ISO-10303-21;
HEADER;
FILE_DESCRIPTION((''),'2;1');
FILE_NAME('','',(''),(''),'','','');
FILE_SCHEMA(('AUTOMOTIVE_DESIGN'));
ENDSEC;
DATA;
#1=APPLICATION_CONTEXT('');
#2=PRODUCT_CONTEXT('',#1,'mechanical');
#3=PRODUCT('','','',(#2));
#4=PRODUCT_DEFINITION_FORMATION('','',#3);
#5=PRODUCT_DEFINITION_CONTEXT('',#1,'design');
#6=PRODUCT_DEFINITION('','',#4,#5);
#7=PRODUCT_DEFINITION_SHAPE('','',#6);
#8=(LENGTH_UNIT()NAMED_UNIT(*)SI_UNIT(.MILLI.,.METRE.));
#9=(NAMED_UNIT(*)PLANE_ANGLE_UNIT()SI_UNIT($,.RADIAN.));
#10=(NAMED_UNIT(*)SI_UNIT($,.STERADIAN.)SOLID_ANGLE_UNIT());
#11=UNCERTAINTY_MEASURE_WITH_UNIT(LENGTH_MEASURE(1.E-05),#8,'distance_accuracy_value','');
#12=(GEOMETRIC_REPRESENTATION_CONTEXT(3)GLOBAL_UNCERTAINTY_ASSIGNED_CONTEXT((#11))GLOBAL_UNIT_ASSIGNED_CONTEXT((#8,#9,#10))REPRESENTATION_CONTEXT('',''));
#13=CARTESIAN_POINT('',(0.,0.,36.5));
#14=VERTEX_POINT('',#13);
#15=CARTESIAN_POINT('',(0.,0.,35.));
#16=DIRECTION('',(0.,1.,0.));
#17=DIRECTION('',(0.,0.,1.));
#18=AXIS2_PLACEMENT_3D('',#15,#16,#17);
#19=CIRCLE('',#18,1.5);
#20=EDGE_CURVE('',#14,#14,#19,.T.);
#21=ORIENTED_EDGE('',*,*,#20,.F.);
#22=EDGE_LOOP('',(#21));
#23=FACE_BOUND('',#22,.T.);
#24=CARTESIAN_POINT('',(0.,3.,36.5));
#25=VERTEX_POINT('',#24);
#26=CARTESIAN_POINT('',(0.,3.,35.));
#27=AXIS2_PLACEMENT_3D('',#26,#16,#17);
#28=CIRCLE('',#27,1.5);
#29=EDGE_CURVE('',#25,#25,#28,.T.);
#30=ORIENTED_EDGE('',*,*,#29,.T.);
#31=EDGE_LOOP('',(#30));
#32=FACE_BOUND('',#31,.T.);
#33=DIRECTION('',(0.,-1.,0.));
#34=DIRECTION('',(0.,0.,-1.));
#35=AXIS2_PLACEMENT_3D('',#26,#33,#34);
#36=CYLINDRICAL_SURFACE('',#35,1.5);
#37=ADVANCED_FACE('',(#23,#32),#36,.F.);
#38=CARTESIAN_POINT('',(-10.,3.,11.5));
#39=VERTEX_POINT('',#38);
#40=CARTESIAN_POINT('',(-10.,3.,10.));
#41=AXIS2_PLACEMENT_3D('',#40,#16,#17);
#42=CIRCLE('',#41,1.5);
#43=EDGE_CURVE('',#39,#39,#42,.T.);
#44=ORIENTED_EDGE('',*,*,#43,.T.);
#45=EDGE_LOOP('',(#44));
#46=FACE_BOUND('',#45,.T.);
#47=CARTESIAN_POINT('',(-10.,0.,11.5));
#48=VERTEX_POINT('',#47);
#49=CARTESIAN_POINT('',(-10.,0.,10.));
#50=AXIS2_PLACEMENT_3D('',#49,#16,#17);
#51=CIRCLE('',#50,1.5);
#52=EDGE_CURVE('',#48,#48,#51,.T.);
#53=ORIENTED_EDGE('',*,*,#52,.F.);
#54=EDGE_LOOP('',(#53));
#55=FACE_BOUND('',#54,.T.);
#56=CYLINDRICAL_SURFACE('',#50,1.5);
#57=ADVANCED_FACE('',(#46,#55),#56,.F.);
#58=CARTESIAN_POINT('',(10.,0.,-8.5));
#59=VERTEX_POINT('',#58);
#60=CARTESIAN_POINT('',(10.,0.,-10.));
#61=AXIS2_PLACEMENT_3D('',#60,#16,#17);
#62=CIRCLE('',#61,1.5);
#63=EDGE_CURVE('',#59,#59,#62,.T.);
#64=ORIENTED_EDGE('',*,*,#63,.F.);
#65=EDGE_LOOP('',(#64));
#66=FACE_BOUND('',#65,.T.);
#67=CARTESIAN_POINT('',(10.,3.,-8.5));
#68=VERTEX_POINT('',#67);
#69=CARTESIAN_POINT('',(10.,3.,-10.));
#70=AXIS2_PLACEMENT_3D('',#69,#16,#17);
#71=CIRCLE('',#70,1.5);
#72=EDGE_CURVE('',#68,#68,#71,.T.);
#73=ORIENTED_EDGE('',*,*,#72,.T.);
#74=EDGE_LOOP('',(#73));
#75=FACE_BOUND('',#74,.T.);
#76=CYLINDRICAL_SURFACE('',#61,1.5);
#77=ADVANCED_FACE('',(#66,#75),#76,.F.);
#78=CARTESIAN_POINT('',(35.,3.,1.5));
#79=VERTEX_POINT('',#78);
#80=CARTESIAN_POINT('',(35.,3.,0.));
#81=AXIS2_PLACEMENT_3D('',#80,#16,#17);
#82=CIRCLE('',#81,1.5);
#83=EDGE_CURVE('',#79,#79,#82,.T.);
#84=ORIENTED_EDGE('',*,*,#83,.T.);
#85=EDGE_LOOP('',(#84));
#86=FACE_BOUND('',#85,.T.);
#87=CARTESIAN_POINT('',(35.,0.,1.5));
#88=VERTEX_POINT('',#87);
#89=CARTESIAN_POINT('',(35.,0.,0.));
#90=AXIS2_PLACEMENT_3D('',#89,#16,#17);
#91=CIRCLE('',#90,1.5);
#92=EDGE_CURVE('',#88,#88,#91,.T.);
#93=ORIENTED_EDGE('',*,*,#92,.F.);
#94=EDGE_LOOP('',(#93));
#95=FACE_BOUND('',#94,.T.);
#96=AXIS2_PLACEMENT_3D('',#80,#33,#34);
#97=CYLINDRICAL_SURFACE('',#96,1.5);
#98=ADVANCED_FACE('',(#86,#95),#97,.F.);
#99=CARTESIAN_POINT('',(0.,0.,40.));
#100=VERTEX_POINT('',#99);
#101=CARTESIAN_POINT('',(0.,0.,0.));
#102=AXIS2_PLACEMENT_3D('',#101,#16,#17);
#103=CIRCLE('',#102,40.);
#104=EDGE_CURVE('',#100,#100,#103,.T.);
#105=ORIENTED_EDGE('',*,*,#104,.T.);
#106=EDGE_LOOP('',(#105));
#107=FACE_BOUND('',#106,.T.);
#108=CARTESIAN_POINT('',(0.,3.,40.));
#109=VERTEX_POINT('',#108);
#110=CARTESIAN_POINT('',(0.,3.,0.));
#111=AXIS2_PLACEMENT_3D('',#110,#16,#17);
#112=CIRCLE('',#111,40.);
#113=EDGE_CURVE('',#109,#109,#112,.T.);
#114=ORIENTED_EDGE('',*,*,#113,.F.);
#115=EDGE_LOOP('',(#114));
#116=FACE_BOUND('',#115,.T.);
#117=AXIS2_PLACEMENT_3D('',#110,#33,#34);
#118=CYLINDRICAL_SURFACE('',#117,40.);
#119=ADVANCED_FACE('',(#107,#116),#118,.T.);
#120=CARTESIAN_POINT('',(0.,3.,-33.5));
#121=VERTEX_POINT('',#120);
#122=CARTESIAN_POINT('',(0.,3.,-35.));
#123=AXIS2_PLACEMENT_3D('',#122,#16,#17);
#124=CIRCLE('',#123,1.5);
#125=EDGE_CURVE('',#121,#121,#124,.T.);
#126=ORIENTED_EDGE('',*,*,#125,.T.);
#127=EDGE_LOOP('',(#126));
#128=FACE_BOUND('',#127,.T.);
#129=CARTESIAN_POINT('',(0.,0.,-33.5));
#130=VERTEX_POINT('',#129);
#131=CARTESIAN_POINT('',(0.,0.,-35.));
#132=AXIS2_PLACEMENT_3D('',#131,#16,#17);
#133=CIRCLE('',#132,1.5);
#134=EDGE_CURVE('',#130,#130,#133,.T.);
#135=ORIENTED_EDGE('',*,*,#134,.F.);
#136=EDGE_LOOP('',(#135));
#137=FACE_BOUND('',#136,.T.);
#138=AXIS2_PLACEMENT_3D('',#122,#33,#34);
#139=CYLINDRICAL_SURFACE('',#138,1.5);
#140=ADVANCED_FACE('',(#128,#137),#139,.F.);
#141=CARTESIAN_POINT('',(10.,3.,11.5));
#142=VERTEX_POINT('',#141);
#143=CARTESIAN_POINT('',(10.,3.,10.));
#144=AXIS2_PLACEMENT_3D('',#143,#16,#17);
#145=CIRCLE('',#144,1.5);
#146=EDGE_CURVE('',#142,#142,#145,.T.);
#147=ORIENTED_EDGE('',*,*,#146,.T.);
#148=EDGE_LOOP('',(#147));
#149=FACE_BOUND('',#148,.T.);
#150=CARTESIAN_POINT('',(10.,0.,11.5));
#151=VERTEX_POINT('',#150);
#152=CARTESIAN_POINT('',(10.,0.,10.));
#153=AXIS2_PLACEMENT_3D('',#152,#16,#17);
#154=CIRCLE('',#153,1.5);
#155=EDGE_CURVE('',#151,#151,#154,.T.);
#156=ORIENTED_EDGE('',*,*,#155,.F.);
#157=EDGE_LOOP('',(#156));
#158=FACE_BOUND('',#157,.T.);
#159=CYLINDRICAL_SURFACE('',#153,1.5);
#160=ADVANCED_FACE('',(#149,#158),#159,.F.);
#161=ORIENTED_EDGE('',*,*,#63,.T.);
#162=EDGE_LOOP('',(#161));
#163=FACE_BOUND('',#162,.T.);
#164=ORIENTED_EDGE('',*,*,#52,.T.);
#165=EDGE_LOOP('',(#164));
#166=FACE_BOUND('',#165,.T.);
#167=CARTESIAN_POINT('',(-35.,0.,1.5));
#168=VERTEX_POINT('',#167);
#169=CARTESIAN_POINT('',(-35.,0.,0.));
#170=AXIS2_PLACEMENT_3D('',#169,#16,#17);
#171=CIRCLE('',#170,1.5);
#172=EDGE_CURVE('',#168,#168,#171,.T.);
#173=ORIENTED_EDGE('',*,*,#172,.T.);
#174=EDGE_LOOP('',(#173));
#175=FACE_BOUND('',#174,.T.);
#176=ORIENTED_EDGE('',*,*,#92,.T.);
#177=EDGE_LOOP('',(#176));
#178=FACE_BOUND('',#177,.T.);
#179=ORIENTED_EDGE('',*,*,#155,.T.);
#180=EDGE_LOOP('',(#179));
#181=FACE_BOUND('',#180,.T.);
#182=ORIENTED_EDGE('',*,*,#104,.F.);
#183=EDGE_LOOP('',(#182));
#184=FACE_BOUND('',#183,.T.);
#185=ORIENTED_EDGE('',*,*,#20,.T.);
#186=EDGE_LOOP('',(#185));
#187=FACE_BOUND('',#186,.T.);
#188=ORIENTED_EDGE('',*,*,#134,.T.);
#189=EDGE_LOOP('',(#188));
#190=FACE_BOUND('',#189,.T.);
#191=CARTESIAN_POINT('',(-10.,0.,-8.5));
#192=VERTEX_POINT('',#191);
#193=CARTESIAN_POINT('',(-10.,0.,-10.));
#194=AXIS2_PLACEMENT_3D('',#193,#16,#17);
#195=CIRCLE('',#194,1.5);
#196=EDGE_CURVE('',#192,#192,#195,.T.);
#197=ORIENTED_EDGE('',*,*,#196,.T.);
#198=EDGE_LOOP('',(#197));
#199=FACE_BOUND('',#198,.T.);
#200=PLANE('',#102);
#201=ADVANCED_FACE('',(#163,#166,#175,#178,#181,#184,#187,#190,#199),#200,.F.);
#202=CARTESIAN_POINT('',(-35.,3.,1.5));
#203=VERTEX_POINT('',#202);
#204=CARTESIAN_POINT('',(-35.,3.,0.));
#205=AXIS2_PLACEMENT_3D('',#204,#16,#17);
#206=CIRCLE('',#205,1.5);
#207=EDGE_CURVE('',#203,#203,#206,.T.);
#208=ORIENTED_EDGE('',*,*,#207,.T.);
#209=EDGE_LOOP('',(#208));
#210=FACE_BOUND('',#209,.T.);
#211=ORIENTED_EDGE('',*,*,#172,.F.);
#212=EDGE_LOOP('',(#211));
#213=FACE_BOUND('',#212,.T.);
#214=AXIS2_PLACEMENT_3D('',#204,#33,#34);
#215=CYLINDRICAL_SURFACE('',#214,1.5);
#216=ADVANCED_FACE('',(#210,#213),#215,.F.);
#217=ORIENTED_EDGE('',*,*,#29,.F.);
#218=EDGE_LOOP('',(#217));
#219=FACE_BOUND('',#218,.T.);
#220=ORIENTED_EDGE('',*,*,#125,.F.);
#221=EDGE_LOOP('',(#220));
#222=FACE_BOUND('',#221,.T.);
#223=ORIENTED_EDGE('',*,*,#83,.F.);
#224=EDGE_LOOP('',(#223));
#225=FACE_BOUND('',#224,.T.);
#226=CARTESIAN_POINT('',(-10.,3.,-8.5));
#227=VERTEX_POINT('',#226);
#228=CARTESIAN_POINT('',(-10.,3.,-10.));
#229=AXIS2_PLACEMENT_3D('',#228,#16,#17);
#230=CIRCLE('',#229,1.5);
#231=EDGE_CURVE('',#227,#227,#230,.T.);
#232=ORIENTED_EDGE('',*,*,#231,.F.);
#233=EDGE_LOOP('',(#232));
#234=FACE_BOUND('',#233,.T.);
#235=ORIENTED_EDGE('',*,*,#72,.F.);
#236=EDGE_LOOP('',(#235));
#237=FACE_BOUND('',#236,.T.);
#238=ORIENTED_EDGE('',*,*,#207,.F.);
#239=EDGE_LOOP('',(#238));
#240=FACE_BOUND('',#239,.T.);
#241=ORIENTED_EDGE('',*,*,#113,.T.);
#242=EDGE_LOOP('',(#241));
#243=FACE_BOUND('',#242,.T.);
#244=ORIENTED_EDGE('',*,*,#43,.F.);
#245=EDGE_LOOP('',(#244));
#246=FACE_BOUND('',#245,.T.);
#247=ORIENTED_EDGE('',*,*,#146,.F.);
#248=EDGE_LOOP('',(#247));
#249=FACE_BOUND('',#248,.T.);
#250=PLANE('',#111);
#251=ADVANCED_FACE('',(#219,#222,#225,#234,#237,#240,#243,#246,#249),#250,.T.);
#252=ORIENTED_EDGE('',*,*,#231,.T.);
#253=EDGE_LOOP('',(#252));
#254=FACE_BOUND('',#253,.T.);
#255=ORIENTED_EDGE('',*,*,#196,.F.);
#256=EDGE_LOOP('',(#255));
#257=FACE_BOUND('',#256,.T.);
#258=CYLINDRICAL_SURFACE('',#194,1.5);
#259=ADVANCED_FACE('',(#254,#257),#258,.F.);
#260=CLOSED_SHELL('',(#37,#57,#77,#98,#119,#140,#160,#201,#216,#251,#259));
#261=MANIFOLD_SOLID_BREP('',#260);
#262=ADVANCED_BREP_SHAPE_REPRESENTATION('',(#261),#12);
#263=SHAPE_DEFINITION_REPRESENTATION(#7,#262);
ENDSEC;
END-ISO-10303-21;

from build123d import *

# Parameters (mm, degrees)
SKETCH1_R           = 40
SKETCH1_R_2         = 1.5
BOSS_EXTRUDE1_DEPTH = 3
SKETCH2_R           = 1.5
CUT_EXTRUDE1_DEPTH  = 3


with BuildPart() as part:
    # Sketch1 → Boss-Extrude1 (new body)
    with BuildSketch(Plane(origin=(0, 0, 0), x_dir=(1, 0, 0), z_dir=(0, 1, 0))):
        Circle(SKETCH1_R)
        with Locations((0, 35)):
            Circle(SKETCH1_R_2, mode=Mode.SUBTRACT)
        with Locations((35, 0)):
            Circle(SKETCH1_R_2, mode=Mode.SUBTRACT)
        with Locations((0, -35)):
            Circle(SKETCH1_R_2, mode=Mode.SUBTRACT)
        with Locations((-35, 0)):
            Circle(SKETCH1_R_2, mode=Mode.SUBTRACT)
    extrude(amount=BOSS_EXTRUDE1_DEPTH)

    # Sketch2 → Cut-Extrude1 (cut)
    with BuildSketch(Plane(origin=(0, 3, 0), x_dir=(1, 0, 0), z_dir=(0, 1, 0))):
        with Locations((10, 10)):
            Circle(SKETCH2_R)
        with Locations((-10, 10)):
            Circle(SKETCH2_R)
        with Locations((-10, -10)):
            Circle(SKETCH2_R)
        with Locations((10, -10)):
            Circle(SKETCH2_R)
    extrude(amount=-CUT_EXTRUDE1_DEPTH, mode=Mode.SUBTRACT)


solid = part.part
